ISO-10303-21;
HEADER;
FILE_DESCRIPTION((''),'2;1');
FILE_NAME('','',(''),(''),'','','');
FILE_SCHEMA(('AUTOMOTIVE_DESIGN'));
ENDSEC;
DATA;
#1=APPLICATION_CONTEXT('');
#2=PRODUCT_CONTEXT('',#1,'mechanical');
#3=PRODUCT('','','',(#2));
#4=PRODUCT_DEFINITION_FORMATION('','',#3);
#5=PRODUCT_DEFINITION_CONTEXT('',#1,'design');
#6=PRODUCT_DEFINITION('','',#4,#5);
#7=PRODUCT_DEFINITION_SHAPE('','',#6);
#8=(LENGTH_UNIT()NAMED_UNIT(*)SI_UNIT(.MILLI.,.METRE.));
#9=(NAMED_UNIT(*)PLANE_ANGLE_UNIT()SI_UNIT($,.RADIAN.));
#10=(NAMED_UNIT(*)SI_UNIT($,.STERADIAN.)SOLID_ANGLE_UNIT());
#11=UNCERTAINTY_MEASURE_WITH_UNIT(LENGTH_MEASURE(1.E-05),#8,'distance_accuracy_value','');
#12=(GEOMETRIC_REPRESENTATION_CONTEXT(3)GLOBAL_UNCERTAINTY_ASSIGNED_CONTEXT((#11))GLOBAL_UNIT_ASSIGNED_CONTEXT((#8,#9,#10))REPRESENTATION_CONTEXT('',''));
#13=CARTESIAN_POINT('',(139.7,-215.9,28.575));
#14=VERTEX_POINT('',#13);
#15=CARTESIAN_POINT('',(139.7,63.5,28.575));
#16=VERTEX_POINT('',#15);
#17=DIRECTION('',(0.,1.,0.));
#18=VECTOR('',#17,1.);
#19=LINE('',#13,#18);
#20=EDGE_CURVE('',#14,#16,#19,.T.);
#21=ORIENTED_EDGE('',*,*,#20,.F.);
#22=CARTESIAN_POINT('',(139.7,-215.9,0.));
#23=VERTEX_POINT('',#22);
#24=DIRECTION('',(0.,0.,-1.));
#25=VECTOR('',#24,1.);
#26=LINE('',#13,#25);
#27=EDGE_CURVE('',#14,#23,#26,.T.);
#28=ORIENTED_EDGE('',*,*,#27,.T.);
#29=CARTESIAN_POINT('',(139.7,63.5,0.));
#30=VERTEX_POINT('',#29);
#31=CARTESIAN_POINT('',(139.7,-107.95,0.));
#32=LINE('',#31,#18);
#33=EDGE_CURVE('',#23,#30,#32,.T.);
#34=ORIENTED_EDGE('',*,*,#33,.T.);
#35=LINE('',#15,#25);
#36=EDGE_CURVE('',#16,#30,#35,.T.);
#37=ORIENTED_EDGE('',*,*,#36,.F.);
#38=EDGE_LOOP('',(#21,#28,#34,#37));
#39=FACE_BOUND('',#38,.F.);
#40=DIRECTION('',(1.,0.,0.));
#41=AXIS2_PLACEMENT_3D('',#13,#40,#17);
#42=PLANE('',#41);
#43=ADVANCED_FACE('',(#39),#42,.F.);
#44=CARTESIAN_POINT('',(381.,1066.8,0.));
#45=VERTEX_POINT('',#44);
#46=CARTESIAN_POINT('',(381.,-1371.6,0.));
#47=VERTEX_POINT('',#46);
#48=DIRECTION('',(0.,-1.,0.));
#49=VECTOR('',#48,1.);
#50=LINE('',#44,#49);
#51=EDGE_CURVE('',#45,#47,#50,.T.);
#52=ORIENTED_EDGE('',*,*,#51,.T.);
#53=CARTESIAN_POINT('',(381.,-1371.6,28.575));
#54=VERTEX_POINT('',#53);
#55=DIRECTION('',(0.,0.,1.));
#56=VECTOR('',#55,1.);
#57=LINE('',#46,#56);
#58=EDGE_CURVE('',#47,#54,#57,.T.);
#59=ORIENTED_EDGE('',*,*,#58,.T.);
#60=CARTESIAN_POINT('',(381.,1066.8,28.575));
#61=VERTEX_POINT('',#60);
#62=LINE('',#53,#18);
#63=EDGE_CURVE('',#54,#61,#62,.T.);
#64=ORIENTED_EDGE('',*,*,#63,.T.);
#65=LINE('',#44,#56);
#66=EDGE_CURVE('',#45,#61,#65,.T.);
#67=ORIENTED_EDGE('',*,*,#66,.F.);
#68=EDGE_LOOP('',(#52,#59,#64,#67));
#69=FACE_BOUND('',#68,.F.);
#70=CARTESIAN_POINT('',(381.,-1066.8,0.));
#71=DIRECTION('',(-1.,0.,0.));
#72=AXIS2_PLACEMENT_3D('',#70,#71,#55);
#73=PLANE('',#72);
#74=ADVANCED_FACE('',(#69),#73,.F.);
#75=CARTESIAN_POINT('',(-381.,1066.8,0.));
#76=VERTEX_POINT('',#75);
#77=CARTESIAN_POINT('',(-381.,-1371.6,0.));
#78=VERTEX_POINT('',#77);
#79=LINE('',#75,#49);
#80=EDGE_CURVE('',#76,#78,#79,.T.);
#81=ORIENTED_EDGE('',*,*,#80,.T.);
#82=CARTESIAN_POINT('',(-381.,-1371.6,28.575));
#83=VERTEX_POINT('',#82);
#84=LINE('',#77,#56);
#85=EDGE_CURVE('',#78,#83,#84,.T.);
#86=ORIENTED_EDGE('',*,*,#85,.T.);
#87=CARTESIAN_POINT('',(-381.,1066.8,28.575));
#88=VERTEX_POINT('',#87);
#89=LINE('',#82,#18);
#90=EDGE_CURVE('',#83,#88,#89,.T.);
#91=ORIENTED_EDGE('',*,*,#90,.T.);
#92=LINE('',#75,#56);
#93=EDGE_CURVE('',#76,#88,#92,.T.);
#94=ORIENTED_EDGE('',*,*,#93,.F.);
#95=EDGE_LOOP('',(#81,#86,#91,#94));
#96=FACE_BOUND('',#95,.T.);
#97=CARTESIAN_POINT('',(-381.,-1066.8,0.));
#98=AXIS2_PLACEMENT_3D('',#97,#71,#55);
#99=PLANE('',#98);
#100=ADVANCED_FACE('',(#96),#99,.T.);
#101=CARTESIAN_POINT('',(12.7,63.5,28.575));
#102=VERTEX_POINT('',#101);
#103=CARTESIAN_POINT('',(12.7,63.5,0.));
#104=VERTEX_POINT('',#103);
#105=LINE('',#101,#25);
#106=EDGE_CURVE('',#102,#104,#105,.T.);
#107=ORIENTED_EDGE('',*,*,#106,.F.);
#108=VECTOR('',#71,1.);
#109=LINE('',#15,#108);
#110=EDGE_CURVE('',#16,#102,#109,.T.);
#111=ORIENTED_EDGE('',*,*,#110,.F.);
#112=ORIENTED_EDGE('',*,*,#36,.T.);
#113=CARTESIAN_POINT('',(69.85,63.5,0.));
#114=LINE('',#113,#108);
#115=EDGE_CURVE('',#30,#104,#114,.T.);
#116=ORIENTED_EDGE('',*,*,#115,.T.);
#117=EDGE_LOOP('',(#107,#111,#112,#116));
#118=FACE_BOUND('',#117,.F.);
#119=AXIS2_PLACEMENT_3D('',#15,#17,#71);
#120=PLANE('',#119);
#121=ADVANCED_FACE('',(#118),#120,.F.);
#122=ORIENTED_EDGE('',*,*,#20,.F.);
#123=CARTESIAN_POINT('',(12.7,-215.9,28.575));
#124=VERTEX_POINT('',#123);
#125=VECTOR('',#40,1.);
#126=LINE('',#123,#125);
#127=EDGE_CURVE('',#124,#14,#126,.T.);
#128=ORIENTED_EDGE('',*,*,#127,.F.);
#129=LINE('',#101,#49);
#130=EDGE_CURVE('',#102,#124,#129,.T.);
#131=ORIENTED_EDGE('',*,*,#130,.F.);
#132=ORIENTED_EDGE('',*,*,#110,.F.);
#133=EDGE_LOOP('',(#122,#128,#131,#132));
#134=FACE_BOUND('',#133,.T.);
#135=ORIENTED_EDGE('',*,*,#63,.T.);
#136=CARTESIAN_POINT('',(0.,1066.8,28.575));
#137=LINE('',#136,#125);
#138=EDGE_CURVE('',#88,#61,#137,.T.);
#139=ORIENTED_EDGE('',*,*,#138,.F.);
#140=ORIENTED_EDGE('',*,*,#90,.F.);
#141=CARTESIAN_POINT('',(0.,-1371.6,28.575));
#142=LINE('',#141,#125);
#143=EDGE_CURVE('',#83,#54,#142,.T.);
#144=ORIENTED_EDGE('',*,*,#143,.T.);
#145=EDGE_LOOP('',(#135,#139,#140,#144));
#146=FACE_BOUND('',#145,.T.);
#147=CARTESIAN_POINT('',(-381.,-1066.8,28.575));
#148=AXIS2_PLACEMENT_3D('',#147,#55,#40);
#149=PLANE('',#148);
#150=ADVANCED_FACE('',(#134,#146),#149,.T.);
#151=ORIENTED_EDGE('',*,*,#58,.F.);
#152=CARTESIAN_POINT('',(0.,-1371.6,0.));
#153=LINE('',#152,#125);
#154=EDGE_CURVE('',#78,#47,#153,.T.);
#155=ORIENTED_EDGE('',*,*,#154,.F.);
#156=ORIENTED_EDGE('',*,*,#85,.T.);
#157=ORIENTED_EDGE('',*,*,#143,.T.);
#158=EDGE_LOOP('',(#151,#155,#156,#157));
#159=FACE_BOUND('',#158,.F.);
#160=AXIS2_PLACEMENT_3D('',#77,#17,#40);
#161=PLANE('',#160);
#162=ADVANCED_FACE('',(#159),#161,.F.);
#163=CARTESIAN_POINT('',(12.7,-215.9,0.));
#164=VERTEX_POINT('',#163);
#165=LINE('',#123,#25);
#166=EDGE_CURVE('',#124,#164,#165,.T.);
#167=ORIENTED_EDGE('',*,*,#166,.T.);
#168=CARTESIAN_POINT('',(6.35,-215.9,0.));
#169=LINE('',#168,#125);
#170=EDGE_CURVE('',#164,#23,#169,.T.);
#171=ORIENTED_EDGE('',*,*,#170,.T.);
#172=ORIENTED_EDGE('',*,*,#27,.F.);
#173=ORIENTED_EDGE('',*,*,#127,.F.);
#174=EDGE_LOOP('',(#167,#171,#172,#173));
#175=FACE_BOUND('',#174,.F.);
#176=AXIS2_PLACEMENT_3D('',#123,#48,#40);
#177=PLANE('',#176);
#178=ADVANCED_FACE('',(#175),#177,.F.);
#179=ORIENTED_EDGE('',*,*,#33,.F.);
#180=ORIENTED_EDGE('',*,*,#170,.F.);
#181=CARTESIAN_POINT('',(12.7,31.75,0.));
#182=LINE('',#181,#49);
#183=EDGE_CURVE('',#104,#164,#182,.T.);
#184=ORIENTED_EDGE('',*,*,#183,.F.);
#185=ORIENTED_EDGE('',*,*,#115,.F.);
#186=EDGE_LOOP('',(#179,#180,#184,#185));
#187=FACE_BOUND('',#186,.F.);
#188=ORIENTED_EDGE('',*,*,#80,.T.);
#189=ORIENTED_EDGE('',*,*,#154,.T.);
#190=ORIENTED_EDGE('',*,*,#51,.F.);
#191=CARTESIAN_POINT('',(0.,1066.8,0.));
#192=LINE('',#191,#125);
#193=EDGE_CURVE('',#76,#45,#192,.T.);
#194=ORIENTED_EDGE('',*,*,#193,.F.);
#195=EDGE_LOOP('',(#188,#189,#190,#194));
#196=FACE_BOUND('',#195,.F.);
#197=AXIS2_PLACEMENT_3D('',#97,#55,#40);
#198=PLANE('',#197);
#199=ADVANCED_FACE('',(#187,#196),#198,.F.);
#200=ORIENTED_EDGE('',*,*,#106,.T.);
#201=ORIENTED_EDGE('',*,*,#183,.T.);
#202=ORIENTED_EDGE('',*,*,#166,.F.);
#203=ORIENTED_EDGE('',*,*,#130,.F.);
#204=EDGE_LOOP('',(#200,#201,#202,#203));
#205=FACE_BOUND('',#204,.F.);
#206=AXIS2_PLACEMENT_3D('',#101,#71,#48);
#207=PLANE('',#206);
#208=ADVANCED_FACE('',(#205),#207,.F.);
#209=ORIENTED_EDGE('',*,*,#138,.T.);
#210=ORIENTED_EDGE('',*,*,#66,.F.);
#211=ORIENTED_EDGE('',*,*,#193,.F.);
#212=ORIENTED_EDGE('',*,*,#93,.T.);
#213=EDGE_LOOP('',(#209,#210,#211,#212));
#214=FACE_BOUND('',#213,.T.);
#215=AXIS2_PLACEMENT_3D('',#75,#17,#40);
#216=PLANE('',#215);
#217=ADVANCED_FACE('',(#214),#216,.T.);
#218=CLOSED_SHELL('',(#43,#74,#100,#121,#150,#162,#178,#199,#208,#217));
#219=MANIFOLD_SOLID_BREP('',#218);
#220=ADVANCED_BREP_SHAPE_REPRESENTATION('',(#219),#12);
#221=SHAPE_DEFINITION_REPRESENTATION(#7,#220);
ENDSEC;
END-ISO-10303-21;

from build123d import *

# Parameters (mm, degrees)
F0_W     = 762
F0_H     = 2133.6
F1_DEPTH = 28.575
F3_DEPTH = 31.75
F4_DEPTH = 304.8


with BuildPart() as f1:
    # F0 (on Top) → F1 (new body)
    with BuildSketch(Plane.XY):
        Rectangle(F0_W, F0_H)
    extrude(amount=F1_DEPTH)

    # F2 (on face) → F3 (cut)
    with BuildSketch(Plane.XY.offset(28.575)):
        Polygon((12.7, 63.5), (12.7, -76.2), (12.7, -215.9), (139.7, -215.9), (139.7, 63.5), align=None)
    extrude(amount=-F3_DEPTH, mode=Mode.SUBTRACT)

    # F4 (add): a face of the model
    f4_faces = [f1.faces().sort_by_distance(p)[0] for p in [
        (0, -1066.8, 14.2875),
    ]]
    extrude(f4_faces, amount=F4_DEPTH)


solid = f1.part
